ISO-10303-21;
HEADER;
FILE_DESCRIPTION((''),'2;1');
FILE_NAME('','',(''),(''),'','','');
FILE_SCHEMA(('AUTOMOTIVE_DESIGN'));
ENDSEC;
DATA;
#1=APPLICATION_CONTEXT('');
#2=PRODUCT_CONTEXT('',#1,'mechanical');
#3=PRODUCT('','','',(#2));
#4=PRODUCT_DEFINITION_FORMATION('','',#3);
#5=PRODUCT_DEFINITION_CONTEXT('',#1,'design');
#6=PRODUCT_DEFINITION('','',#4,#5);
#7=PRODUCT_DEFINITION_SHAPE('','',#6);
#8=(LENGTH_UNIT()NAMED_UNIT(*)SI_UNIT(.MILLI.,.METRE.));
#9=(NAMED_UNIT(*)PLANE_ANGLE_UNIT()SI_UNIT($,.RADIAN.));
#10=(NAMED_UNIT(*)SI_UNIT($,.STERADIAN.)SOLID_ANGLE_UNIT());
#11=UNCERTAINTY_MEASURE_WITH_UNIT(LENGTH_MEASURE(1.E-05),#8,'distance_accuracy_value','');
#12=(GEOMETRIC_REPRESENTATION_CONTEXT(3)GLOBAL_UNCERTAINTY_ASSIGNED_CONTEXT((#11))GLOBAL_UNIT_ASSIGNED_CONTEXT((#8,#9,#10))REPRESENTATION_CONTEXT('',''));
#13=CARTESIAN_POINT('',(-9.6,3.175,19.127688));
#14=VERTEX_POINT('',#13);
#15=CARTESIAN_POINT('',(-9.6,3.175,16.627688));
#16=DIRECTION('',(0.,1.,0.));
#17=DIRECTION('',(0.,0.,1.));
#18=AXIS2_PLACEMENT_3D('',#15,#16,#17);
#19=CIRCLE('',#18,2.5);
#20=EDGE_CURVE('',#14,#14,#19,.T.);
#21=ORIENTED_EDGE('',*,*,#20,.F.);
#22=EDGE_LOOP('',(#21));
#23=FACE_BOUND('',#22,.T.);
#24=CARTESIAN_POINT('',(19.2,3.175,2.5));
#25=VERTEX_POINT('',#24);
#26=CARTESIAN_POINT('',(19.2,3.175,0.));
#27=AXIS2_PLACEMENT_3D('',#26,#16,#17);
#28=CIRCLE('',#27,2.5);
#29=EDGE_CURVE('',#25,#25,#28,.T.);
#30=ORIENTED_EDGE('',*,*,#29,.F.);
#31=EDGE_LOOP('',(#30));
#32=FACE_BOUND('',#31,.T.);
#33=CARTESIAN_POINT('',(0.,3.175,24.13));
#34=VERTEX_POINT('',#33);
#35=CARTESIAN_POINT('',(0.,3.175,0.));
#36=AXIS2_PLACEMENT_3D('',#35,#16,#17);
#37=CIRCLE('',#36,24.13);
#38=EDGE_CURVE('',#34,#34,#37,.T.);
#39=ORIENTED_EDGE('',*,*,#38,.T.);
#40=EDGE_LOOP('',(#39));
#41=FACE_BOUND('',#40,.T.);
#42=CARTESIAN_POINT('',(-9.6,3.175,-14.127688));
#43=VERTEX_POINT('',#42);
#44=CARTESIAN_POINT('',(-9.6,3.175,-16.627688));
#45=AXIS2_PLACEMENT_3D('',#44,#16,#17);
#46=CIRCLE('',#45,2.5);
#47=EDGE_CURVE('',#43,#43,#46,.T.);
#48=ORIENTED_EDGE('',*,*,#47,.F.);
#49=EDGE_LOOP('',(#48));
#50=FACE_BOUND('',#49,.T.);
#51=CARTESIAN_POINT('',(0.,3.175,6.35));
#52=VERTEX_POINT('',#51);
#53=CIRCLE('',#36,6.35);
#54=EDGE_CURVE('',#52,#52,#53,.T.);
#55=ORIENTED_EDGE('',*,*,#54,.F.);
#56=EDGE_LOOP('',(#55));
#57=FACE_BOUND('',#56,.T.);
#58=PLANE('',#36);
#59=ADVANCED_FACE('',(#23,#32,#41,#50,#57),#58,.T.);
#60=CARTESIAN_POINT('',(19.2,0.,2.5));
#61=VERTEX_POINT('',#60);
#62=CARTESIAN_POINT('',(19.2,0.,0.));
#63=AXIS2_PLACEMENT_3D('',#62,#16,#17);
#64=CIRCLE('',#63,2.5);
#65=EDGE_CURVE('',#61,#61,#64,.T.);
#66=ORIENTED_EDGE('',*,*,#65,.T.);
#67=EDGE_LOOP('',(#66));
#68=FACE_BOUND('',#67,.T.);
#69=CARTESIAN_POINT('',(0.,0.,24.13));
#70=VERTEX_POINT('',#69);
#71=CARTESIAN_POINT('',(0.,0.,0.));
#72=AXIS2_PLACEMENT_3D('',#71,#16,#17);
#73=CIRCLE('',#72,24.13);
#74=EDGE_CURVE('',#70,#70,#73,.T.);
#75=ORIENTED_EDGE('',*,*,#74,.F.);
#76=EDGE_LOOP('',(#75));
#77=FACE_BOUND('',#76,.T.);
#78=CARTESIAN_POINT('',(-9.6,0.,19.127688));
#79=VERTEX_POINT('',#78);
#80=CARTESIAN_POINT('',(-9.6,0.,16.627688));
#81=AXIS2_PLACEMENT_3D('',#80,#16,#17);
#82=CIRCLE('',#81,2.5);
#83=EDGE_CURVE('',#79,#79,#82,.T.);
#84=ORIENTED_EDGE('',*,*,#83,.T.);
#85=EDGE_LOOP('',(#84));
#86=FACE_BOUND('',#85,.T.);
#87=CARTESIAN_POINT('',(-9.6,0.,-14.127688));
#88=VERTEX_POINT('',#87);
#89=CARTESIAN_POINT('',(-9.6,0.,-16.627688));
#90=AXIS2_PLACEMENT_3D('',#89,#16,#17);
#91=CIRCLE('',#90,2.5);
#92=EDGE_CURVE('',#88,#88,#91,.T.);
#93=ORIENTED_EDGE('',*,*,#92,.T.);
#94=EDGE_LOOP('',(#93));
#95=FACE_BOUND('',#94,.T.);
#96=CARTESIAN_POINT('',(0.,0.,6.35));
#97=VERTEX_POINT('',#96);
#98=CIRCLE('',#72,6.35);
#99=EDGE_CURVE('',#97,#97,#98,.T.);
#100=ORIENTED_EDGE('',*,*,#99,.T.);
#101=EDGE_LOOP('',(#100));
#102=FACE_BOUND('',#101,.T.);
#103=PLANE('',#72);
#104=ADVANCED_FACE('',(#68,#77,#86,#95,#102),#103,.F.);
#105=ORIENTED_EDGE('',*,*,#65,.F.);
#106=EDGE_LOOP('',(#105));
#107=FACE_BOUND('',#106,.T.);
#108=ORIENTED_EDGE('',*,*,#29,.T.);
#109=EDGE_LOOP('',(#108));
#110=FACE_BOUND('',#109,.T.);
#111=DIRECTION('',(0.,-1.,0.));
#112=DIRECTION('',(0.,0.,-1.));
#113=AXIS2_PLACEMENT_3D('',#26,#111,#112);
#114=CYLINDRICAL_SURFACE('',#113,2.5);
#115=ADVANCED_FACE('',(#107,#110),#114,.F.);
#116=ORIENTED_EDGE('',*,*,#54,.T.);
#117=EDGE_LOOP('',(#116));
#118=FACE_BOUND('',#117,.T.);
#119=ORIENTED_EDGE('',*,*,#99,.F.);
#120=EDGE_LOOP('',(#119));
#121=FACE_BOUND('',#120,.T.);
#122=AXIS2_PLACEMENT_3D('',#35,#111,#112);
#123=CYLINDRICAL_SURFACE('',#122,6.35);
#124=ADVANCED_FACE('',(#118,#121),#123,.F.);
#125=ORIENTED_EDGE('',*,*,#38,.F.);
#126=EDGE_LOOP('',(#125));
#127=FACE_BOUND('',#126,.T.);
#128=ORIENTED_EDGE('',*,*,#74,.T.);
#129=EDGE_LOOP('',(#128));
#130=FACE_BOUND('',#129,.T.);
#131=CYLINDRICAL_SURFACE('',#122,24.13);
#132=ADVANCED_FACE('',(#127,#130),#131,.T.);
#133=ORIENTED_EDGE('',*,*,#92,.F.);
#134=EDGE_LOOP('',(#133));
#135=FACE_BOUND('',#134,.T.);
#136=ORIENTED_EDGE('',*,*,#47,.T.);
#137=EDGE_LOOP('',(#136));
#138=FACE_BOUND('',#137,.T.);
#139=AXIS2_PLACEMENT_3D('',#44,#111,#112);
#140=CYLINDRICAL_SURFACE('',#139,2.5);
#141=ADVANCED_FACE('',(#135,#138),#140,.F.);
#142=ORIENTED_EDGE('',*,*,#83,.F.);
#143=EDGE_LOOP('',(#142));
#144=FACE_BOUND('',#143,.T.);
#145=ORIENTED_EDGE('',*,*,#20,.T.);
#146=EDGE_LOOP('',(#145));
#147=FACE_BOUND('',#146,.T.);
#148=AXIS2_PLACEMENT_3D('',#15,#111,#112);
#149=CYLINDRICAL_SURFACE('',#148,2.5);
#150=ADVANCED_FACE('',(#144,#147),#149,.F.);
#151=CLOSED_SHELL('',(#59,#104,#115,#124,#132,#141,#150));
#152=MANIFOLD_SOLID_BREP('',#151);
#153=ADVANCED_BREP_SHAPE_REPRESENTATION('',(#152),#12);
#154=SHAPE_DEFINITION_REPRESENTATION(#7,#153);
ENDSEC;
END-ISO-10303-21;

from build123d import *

# Parameters (mm, degrees)
SKETCH1_R           = 24.13
SKETCH1_R_2         = 2.5
SKETCH1_R_3         = 6.35
BOSS_EXTRUDE1_DEPTH = 3.175


with BuildPart() as part:
    # Sketch1 → Boss-Extrude1 (new body)
    with BuildSketch(Plane(origin=(0, 0, 0), x_dir=(1, 0, 0), z_dir=(0, 1, 0))):
        Circle(SKETCH1_R)
        with Locations((19.2, 0)):
            Circle(SKETCH1_R_2, mode=Mode.SUBTRACT)
        with Locations((-9.6, 16.627687753)):
            Circle(SKETCH1_R_2, mode=Mode.SUBTRACT)
        with Locations((-9.6, -16.627687753)):
            Circle(SKETCH1_R_2, mode=Mode.SUBTRACT)
        Circle(SKETCH1_R_3, mode=Mode.SUBTRACT)
    extrude(amount=BOSS_EXTRUDE1_DEPTH)


solid = part.part
